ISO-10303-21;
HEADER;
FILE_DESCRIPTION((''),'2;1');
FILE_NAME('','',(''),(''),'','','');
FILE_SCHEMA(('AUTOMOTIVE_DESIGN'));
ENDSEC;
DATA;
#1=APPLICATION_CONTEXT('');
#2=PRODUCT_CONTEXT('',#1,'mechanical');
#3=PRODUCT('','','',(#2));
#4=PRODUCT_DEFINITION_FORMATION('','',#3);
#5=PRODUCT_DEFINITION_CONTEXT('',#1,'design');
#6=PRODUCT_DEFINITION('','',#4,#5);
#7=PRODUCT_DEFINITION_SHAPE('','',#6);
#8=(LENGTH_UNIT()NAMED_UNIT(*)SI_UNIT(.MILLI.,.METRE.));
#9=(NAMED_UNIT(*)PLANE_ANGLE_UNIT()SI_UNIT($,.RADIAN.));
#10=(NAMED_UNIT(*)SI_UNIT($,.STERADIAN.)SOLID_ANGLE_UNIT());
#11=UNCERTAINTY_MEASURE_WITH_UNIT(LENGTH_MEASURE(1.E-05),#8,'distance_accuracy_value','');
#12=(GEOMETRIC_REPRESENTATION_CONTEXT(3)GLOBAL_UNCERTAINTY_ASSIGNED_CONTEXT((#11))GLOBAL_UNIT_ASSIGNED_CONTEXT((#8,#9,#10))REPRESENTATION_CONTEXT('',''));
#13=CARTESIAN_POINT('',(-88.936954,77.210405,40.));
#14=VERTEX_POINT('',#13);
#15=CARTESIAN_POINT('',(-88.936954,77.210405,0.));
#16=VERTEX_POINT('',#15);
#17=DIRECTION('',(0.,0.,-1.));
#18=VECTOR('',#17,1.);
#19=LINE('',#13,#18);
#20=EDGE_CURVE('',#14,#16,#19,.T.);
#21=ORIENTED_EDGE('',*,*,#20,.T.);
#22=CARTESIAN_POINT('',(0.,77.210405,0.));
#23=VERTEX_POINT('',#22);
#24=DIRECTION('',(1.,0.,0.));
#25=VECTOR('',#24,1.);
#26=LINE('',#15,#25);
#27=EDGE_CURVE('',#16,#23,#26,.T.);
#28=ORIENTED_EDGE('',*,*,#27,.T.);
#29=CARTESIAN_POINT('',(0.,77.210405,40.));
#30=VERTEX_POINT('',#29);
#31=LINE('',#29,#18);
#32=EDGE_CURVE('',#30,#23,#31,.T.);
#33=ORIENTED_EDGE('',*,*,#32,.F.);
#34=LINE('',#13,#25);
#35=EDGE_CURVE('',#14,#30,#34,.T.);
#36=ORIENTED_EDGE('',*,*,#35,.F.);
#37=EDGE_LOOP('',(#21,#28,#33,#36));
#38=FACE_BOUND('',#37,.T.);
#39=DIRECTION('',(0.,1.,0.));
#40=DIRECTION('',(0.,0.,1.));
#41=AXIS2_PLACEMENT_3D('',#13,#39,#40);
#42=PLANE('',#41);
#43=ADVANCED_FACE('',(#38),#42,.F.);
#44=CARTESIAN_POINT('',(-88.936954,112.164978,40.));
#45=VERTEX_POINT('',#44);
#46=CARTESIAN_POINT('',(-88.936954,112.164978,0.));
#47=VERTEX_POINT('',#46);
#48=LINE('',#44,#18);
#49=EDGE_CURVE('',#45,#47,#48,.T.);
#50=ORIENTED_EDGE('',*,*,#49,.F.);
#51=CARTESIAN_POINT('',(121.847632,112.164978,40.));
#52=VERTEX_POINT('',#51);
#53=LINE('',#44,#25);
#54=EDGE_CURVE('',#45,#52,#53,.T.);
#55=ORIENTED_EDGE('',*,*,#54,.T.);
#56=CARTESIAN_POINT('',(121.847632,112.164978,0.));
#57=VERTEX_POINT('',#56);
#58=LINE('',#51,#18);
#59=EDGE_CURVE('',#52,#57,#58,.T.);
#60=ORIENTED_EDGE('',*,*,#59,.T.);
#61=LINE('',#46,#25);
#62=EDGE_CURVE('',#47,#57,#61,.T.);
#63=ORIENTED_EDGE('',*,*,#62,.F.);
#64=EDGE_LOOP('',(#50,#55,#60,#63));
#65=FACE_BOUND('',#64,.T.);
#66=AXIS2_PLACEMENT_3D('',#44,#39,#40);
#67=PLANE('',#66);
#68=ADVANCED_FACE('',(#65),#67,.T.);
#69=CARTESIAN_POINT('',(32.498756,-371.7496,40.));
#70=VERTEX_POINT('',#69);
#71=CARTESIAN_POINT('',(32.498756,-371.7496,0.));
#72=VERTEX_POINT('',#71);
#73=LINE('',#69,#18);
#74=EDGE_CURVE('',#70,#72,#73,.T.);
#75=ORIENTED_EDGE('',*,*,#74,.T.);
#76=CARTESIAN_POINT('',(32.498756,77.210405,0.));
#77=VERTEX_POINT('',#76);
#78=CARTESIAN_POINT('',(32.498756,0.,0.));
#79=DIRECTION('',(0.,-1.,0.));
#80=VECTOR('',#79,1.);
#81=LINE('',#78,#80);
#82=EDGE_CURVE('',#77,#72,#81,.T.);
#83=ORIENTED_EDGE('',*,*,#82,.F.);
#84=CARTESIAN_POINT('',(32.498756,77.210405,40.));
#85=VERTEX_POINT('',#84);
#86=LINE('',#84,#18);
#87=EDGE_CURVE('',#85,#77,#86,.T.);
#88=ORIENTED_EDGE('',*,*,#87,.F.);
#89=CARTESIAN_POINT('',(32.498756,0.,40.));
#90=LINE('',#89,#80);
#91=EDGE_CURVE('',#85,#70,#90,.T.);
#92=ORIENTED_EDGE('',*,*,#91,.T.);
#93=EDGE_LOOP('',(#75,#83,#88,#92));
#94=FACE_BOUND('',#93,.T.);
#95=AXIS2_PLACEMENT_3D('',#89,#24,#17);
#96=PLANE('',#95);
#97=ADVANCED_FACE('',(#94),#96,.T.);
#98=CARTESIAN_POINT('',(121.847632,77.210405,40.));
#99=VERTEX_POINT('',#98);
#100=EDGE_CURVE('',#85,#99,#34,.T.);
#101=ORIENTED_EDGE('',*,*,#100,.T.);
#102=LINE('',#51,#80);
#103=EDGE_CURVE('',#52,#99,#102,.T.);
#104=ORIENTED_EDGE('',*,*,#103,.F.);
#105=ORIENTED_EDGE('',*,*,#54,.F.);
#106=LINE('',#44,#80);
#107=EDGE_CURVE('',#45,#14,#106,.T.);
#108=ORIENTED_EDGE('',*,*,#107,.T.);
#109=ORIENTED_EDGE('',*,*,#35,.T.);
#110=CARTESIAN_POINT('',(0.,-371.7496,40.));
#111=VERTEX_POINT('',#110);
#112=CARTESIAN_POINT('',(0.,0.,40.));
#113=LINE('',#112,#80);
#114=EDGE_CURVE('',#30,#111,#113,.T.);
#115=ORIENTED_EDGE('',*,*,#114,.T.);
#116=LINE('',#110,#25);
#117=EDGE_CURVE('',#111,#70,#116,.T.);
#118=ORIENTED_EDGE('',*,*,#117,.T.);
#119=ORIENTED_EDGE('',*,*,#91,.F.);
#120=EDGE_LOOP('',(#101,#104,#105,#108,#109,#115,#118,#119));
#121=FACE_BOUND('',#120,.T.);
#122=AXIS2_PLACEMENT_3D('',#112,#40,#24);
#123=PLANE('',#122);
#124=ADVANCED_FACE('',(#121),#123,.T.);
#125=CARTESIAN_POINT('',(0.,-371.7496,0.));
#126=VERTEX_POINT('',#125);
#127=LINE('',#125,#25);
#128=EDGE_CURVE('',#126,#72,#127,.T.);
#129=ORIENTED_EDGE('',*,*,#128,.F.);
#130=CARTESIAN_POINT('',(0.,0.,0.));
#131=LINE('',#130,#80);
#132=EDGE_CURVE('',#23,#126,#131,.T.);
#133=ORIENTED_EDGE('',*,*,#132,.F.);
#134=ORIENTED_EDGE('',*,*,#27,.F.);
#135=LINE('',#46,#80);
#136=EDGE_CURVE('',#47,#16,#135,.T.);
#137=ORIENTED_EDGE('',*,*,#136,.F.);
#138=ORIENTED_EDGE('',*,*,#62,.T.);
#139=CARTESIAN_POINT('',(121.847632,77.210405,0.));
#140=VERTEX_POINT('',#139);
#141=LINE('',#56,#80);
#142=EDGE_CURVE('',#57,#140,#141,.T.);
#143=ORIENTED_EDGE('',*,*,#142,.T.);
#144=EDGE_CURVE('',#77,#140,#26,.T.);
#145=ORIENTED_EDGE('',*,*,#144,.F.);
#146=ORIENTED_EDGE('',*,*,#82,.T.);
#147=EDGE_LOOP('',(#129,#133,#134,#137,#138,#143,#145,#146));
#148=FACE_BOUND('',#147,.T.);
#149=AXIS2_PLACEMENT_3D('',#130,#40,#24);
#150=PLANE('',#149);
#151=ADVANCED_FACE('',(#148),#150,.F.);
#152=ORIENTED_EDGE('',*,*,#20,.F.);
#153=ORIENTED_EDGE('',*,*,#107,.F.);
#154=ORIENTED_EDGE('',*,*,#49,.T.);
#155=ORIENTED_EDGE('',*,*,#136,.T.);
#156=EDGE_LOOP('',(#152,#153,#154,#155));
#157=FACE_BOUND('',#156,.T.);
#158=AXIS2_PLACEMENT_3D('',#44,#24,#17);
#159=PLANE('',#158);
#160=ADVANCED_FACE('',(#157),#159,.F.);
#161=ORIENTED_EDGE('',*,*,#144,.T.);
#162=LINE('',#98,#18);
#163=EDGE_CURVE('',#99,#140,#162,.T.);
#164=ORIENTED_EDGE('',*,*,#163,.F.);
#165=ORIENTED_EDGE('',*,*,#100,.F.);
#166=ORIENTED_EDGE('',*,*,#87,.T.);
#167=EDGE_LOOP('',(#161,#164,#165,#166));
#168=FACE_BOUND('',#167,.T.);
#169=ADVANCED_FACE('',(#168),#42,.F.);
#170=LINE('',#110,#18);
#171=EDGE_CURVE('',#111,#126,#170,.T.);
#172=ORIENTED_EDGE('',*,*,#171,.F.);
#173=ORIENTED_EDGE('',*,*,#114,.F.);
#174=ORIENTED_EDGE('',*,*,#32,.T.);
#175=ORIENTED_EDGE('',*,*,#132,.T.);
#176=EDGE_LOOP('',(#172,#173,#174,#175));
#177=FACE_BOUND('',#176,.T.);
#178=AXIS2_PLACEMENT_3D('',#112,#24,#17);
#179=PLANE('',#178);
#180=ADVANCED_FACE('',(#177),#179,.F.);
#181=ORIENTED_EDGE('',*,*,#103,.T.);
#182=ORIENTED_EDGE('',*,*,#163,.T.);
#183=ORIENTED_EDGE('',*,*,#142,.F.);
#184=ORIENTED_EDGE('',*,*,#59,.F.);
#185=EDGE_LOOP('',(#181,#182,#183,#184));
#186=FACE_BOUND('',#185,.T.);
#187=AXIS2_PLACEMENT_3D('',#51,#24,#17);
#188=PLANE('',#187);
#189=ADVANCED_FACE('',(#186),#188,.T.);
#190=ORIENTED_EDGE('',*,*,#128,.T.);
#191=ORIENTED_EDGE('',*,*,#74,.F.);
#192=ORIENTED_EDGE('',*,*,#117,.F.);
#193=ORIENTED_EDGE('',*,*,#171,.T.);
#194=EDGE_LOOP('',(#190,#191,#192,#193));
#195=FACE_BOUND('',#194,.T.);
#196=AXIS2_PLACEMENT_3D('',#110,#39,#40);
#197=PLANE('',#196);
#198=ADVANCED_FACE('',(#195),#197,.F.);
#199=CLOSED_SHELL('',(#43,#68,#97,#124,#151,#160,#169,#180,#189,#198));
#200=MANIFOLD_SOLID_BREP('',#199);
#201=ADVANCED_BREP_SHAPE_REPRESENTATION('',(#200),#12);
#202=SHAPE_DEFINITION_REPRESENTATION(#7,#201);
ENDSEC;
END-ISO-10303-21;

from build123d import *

# Parameters (mm, degrees)
SKETCH_1_W      = 210.784586304
SKETCH_1_H      = 34.954573272
SKETCH_1_W_2    = 32.498755693
SKETCH_1_H_2    = 448.960004708
EXTRUDE_1_DEPTH = 40


with BuildPart() as part:
    # Эскиз1 → Бобышка-Вытянуть1 (new body)
    with BuildSketch(Plane.XY):
        with Locations((16.455339243, 94.687691672)):
            Rectangle(SKETCH_1_W, SKETCH_1_H)
        with Locations((16.249377846, -147.269597318)):
            Rectangle(SKETCH_1_W_2, SKETCH_1_H_2)
    extrude(amount=EXTRUDE_1_DEPTH)


solid = part.part
